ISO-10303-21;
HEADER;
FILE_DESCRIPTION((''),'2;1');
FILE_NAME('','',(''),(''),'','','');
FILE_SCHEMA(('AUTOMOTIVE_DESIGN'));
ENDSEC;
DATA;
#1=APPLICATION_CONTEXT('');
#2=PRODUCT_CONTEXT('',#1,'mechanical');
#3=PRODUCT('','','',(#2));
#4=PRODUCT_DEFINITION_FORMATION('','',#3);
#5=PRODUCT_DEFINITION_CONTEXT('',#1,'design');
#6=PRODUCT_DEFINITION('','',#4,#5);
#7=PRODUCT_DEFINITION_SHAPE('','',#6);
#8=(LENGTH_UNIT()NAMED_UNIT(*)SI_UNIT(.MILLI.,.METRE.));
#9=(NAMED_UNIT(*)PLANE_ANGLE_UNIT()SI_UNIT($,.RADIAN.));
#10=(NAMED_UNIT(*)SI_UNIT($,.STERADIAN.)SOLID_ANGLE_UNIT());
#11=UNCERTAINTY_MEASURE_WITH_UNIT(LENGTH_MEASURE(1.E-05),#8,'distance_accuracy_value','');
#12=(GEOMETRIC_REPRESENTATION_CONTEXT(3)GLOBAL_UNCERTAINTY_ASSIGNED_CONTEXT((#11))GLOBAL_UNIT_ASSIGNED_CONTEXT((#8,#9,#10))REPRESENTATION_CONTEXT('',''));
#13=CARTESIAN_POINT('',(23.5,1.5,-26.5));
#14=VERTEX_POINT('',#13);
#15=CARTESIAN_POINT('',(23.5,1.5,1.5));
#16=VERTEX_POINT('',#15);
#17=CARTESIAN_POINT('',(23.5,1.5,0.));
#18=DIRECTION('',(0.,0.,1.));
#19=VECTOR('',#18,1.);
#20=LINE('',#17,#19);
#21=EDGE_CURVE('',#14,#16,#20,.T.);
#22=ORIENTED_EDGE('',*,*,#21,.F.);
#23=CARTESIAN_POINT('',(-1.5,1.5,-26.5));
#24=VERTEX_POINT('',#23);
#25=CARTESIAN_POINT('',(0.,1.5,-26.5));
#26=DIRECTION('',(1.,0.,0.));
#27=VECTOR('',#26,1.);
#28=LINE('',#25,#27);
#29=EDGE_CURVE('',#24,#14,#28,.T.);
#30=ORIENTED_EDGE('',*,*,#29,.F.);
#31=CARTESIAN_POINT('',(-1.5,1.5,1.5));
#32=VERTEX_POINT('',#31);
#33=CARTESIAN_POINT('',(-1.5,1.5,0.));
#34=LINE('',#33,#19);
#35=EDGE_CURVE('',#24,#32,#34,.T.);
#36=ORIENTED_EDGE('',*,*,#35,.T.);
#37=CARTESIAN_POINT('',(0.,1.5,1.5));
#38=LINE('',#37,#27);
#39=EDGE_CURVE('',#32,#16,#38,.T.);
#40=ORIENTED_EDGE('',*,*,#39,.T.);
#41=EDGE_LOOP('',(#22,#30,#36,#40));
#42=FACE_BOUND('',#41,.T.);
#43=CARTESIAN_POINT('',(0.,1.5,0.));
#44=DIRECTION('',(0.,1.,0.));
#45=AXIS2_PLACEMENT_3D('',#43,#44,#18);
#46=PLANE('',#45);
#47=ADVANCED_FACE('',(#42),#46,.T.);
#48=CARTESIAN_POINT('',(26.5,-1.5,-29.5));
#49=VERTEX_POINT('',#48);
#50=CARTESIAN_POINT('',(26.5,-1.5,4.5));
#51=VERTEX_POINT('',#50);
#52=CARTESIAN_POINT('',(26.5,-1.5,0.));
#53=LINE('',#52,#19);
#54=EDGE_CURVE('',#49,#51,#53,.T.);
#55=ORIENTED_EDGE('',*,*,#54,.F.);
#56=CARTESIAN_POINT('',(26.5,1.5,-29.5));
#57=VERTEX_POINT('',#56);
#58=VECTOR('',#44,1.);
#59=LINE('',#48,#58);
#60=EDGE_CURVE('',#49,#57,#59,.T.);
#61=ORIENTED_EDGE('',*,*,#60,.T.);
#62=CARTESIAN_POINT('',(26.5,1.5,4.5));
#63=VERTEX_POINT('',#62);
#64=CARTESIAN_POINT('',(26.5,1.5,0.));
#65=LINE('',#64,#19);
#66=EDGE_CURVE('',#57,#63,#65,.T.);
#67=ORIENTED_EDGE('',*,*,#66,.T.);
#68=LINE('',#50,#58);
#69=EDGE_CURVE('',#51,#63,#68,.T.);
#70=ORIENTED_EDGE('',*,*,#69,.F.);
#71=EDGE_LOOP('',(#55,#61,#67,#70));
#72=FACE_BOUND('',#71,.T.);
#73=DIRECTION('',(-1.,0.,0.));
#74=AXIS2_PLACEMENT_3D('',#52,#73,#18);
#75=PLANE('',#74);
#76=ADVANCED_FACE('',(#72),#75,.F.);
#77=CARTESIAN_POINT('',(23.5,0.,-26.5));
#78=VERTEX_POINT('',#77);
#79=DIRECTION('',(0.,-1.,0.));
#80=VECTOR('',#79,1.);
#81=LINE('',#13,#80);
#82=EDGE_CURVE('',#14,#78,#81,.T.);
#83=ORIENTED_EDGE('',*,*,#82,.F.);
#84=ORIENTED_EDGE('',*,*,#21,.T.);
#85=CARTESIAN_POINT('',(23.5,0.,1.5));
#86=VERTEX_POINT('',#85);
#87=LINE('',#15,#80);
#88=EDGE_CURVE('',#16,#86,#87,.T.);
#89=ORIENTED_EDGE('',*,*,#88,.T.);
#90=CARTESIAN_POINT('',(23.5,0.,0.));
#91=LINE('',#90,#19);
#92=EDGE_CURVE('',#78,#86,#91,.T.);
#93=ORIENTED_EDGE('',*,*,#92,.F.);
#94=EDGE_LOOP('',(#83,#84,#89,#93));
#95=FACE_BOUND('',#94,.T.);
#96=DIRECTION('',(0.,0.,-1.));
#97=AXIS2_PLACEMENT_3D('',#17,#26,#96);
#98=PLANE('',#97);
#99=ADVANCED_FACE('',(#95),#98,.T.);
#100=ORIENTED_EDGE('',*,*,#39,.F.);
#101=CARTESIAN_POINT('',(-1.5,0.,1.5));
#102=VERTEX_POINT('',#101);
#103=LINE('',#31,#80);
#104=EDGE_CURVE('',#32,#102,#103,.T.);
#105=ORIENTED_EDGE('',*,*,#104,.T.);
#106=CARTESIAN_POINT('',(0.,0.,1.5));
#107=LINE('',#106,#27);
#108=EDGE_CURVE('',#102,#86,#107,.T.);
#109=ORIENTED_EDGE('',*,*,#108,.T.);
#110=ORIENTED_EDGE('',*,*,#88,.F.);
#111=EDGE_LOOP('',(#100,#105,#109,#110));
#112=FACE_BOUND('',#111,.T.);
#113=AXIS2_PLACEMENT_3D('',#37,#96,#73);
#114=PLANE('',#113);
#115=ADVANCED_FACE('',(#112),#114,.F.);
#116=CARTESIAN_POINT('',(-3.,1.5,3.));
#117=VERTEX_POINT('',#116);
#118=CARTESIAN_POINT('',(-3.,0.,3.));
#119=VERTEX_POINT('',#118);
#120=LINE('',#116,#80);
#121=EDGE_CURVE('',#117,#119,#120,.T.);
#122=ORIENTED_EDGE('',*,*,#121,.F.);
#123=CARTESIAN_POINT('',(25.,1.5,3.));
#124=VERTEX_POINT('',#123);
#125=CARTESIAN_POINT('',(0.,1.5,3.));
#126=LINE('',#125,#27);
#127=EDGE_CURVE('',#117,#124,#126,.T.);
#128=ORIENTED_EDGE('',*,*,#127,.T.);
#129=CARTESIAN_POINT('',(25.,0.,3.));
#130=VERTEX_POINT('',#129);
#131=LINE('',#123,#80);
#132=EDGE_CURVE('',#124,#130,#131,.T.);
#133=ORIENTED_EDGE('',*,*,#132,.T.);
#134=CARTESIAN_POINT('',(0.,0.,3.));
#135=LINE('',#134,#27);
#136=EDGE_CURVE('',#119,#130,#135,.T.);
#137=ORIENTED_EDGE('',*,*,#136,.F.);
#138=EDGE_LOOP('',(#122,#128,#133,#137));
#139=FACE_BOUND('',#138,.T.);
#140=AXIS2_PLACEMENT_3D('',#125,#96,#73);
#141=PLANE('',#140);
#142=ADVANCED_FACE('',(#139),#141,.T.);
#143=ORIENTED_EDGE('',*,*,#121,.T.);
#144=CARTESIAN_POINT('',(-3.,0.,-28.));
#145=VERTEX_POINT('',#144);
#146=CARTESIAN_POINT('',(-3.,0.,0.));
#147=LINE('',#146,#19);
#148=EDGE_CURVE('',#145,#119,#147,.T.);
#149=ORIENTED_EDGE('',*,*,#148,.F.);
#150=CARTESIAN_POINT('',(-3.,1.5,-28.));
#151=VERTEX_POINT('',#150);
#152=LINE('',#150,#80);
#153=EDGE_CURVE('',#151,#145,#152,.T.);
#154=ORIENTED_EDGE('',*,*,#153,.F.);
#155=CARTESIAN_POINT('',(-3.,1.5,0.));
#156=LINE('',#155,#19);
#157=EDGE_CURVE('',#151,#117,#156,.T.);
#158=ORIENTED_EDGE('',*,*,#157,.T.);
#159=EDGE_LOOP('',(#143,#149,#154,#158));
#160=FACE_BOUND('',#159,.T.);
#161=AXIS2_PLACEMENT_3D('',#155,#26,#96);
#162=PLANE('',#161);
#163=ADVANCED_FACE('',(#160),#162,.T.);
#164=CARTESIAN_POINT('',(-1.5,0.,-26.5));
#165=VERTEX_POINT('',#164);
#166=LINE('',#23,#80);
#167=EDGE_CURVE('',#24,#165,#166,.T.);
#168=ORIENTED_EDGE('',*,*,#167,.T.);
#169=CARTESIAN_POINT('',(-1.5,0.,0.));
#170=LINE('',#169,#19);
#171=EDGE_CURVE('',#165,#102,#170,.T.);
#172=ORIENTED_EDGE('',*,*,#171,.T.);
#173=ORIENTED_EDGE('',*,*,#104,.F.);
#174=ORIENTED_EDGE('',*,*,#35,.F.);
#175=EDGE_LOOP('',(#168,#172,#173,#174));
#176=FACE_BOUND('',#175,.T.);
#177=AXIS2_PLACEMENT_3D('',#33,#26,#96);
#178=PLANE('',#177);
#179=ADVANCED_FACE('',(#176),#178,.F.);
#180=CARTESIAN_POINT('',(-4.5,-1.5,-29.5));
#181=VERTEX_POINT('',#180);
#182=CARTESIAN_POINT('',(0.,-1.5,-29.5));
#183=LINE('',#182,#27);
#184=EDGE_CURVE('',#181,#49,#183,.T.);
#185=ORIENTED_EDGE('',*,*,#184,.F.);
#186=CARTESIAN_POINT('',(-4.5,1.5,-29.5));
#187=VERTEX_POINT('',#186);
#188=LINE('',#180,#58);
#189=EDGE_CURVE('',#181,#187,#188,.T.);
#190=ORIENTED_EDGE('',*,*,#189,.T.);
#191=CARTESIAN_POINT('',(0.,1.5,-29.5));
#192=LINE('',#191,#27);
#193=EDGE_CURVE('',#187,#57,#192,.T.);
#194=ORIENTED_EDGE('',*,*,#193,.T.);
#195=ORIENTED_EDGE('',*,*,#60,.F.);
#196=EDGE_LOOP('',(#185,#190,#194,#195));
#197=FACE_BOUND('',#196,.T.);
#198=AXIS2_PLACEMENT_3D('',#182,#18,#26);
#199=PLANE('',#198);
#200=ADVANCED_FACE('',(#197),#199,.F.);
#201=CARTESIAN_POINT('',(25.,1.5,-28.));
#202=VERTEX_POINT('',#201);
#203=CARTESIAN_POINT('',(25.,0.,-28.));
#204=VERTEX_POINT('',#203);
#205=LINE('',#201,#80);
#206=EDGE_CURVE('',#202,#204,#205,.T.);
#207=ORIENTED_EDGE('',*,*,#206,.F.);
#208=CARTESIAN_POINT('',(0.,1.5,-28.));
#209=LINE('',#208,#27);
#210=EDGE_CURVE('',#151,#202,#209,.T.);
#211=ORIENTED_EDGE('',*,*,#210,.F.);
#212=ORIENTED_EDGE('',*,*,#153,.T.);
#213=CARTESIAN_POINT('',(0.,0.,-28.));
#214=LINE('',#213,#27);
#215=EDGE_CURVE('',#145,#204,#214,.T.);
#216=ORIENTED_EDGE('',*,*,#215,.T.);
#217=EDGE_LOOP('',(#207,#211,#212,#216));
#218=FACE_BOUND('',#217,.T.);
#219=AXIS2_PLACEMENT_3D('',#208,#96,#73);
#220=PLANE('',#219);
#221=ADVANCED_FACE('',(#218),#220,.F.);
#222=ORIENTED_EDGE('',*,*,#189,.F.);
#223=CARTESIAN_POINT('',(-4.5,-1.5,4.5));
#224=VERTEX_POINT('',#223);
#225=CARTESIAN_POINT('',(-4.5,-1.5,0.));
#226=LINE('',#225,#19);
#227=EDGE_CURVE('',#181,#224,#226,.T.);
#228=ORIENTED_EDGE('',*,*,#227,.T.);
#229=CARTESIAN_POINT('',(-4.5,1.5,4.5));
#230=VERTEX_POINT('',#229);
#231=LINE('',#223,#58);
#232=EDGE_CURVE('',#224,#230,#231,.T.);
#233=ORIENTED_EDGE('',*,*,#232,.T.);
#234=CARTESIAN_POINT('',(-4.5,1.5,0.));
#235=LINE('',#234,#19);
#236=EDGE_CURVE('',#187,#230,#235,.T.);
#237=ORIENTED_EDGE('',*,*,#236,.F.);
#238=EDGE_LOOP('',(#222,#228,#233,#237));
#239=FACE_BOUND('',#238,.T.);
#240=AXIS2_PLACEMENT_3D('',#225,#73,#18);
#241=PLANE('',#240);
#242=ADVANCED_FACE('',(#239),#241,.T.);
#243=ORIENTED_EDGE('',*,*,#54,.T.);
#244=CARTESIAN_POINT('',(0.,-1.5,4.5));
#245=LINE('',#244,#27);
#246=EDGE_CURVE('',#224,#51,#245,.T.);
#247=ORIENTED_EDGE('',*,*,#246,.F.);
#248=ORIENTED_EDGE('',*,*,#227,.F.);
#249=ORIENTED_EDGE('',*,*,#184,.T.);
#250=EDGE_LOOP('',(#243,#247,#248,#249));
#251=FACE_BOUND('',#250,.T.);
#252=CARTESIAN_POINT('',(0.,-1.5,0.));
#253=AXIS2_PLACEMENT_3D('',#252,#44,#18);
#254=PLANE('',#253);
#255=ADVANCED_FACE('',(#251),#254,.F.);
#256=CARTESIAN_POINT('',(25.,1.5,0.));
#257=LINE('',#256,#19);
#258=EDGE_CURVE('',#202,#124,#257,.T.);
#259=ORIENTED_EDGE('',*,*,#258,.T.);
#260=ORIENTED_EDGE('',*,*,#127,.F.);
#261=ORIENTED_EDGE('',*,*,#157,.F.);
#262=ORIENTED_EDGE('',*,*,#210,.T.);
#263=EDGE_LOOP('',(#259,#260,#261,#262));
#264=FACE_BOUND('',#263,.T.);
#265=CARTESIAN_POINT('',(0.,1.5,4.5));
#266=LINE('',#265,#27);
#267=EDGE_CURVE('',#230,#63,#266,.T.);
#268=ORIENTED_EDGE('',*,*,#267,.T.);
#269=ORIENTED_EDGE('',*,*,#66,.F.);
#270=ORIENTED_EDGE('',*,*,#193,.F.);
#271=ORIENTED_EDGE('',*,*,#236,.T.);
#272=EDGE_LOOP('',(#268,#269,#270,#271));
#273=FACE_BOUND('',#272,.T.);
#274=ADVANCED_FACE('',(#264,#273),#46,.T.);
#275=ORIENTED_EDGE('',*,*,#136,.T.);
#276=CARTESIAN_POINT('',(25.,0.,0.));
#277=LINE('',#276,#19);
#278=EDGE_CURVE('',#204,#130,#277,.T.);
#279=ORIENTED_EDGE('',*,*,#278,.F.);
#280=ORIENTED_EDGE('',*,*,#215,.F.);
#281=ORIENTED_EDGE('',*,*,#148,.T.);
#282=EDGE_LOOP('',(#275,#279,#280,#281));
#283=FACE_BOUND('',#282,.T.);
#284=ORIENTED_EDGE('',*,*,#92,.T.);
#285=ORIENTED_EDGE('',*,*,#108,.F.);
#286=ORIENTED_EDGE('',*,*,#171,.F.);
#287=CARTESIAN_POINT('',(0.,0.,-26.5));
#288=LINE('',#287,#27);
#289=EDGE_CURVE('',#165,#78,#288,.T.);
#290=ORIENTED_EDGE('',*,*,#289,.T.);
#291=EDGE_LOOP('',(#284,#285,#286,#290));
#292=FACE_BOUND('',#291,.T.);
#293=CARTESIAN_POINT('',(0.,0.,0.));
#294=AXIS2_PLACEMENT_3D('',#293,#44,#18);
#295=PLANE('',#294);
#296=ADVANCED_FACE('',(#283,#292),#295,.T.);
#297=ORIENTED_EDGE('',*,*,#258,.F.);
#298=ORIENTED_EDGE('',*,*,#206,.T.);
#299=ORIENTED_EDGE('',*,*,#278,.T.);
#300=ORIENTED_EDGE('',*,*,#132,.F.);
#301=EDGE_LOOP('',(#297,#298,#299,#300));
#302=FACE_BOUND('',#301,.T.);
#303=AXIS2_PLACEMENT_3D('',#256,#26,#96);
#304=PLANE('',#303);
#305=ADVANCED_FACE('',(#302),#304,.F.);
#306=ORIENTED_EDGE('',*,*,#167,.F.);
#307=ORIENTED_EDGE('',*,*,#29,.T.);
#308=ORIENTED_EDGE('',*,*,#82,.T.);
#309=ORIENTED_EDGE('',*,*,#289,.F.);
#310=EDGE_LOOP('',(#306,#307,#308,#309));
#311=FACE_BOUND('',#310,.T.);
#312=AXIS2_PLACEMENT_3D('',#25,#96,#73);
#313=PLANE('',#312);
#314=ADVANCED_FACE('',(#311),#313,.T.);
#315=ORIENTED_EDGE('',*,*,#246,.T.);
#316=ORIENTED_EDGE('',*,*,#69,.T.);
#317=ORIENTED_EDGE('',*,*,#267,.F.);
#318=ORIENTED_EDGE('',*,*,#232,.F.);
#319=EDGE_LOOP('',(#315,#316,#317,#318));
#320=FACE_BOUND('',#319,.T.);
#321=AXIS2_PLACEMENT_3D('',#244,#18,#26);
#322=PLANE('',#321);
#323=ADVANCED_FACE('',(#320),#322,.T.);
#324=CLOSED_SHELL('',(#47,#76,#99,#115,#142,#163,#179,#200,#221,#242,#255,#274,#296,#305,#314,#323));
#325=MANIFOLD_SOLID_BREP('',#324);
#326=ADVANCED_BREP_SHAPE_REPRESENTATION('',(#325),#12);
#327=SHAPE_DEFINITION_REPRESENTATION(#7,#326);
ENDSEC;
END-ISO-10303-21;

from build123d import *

# Parameters (mm, degrees)
SKETCH1_TURRETBODYPARENT_11_W   = 31
SKETCH1_TURRETBODYPARENT_11_H   = 34
BOSS_EXTRUDE1_DEPTH             = 1.5
SKETCH1_TURRETBODYPARENT_13_W   = 31
SKETCH1_TURRETBODYPARENT_13_H   = 34
SKETCH1_TURRETBODYPARENT_13_W_2 = 28
SKETCH1_TURRETBODYPARENT_13_H_2 = 31
SKETCH1_TURRETBODYPARENT_13_W_3 = 25
SKETCH1_TURRETBODYPARENT_13_H_3 = 28
BOSS_EXTRUDE2_DEPTH             = 1.5


with BuildPart() as part:
    # Sketch1-turretBodyParent<11> → Boss-Extrude1 (new body)
    with BuildSketch(Plane(origin=(0, 0, 0), x_dir=(1, 0, 0), z_dir=(0, 1, 0))):
        with Locations((11, 12.5)):
            Rectangle(SKETCH1_TURRETBODYPARENT_11_W, SKETCH1_TURRETBODYPARENT_11_H)
    extrude(amount=-BOSS_EXTRUDE1_DEPTH)

    # Sketch1-turretBodyParent<13> → Boss-Extrude2 (add)
    # profile 1 of 2: a face of its own
    with BuildSketch(Plane(origin=(0, 0, 0), x_dir=(1, 0, 0), z_dir=(0, 1, 0))):
        with Locations((11, 12.5)):
            Rectangle(SKETCH1_TURRETBODYPARENT_13_W, SKETCH1_TURRETBODYPARENT_13_H)
        with Locations((11, 12.5)):
            Rectangle(SKETCH1_TURRETBODYPARENT_13_W_2, SKETCH1_TURRETBODYPARENT_13_H_2, mode=Mode.SUBTRACT)
    # profile 2 of 2: a face of its own
    with BuildSketch(Plane(origin=(0, 0, 0), x_dir=(1, 0, 0), z_dir=(0, 1, 0))):
        with Locations((11, 12.5)):
            Rectangle(SKETCH1_TURRETBODYPARENT_13_W_3, SKETCH1_TURRETBODYPARENT_13_H_3)
    extrude(amount=BOSS_EXTRUDE2_DEPTH)


solid = part.part
